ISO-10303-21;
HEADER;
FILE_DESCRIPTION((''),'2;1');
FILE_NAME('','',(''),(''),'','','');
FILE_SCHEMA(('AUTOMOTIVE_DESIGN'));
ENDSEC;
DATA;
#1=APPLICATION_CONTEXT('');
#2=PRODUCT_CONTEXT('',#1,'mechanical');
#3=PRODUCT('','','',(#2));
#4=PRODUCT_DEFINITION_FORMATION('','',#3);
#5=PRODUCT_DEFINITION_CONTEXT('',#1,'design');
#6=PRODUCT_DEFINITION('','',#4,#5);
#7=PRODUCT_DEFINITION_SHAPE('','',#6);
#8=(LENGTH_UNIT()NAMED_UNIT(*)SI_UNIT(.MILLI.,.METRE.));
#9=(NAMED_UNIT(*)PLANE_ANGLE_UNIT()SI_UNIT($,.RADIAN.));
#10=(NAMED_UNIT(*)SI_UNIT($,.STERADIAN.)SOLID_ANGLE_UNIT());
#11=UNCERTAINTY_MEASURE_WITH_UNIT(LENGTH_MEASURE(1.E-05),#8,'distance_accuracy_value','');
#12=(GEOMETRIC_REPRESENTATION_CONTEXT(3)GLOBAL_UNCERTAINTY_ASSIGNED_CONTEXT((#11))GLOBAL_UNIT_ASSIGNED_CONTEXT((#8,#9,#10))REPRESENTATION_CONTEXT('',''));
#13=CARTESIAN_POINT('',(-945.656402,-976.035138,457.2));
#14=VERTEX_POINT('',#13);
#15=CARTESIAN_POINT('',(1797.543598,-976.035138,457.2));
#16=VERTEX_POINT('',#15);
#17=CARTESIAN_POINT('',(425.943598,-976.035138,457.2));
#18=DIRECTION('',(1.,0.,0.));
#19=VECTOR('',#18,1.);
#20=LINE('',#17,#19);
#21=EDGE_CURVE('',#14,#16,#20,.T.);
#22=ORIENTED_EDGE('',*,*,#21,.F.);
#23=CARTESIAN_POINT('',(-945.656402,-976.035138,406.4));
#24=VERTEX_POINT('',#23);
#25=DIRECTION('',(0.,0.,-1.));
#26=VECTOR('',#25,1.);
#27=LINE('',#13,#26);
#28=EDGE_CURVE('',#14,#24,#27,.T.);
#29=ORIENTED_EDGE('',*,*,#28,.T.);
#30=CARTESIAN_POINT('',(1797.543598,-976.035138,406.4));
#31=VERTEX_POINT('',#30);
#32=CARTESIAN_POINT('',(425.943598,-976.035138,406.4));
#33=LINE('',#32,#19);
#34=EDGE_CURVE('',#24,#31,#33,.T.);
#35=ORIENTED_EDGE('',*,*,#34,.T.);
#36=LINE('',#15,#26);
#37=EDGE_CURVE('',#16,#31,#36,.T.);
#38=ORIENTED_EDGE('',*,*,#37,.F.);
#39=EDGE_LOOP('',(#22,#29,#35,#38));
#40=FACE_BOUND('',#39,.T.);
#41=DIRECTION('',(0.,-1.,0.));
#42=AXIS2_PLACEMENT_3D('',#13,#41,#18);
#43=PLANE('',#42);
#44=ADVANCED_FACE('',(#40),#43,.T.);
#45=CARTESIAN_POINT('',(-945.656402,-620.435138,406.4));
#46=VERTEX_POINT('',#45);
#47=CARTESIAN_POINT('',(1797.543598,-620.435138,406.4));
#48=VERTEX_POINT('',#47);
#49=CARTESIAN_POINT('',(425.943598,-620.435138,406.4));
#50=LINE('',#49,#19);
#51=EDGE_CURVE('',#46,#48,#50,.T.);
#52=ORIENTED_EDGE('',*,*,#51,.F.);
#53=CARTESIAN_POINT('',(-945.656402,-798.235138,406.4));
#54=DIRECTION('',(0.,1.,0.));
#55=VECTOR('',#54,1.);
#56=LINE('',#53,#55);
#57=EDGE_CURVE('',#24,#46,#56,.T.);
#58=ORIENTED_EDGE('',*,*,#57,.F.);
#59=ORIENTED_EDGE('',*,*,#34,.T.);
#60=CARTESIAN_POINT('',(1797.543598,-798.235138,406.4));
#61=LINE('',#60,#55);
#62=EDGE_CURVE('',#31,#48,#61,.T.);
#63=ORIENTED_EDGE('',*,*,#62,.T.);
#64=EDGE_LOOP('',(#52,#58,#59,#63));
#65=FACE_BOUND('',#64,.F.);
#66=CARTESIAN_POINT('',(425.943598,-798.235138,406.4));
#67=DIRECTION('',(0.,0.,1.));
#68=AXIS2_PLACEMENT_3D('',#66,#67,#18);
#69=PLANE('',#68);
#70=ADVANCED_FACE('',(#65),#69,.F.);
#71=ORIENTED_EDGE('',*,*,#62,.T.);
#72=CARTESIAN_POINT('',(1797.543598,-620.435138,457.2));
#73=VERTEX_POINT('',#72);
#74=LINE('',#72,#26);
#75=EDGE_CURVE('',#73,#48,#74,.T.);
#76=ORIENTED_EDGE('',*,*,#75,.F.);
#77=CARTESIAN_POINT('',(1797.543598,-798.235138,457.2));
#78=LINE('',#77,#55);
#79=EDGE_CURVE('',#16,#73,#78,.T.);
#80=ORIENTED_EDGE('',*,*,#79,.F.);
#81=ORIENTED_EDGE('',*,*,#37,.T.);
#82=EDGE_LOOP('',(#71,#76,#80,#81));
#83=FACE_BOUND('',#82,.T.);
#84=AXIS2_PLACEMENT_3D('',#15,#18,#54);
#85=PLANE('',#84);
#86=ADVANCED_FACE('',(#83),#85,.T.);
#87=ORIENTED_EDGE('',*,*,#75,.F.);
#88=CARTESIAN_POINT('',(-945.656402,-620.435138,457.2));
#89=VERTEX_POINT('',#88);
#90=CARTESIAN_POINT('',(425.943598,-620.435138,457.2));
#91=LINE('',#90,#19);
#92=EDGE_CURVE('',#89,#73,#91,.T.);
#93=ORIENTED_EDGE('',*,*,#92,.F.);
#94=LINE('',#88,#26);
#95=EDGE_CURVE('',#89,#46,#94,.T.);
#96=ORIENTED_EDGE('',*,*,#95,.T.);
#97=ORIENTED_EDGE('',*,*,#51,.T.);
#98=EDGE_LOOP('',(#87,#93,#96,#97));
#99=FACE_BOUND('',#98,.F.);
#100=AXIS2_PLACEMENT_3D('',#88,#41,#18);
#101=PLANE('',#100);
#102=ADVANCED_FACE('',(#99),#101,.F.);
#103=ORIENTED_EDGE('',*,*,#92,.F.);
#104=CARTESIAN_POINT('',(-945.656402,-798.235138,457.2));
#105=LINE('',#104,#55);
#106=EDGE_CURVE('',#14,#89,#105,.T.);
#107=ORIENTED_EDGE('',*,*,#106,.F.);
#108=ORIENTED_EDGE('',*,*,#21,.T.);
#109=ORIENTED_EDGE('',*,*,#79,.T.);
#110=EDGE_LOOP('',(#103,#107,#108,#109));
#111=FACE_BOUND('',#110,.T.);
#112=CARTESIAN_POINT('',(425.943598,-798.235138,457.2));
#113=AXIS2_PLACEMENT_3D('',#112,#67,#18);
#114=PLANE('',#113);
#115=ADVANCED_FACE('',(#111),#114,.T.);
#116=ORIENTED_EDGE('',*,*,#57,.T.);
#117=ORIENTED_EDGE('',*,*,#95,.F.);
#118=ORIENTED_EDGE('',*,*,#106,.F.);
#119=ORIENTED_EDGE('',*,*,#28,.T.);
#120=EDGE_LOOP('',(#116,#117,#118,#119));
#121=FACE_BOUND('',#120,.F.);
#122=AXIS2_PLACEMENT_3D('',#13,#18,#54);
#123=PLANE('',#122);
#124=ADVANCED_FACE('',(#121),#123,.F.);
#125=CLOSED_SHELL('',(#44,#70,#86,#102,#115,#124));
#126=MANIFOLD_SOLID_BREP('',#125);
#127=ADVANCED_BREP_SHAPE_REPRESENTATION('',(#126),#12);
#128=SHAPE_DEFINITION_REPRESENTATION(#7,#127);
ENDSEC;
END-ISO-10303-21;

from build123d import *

# Parameters (mm, degrees)
F1_W     = 2743.2
F1_H     = 355.6
F2_DEPTH = 50.8


with BuildPart() as f2:
    # F1 (on offset) → F2 (new body)
    with BuildSketch(Plane.XY.offset(457.2)):
        with Locations((425.943598, -798.235138)):
            Rectangle(F1_W, F1_H)
    extrude(amount=-F2_DEPTH)


solid = f2.part
